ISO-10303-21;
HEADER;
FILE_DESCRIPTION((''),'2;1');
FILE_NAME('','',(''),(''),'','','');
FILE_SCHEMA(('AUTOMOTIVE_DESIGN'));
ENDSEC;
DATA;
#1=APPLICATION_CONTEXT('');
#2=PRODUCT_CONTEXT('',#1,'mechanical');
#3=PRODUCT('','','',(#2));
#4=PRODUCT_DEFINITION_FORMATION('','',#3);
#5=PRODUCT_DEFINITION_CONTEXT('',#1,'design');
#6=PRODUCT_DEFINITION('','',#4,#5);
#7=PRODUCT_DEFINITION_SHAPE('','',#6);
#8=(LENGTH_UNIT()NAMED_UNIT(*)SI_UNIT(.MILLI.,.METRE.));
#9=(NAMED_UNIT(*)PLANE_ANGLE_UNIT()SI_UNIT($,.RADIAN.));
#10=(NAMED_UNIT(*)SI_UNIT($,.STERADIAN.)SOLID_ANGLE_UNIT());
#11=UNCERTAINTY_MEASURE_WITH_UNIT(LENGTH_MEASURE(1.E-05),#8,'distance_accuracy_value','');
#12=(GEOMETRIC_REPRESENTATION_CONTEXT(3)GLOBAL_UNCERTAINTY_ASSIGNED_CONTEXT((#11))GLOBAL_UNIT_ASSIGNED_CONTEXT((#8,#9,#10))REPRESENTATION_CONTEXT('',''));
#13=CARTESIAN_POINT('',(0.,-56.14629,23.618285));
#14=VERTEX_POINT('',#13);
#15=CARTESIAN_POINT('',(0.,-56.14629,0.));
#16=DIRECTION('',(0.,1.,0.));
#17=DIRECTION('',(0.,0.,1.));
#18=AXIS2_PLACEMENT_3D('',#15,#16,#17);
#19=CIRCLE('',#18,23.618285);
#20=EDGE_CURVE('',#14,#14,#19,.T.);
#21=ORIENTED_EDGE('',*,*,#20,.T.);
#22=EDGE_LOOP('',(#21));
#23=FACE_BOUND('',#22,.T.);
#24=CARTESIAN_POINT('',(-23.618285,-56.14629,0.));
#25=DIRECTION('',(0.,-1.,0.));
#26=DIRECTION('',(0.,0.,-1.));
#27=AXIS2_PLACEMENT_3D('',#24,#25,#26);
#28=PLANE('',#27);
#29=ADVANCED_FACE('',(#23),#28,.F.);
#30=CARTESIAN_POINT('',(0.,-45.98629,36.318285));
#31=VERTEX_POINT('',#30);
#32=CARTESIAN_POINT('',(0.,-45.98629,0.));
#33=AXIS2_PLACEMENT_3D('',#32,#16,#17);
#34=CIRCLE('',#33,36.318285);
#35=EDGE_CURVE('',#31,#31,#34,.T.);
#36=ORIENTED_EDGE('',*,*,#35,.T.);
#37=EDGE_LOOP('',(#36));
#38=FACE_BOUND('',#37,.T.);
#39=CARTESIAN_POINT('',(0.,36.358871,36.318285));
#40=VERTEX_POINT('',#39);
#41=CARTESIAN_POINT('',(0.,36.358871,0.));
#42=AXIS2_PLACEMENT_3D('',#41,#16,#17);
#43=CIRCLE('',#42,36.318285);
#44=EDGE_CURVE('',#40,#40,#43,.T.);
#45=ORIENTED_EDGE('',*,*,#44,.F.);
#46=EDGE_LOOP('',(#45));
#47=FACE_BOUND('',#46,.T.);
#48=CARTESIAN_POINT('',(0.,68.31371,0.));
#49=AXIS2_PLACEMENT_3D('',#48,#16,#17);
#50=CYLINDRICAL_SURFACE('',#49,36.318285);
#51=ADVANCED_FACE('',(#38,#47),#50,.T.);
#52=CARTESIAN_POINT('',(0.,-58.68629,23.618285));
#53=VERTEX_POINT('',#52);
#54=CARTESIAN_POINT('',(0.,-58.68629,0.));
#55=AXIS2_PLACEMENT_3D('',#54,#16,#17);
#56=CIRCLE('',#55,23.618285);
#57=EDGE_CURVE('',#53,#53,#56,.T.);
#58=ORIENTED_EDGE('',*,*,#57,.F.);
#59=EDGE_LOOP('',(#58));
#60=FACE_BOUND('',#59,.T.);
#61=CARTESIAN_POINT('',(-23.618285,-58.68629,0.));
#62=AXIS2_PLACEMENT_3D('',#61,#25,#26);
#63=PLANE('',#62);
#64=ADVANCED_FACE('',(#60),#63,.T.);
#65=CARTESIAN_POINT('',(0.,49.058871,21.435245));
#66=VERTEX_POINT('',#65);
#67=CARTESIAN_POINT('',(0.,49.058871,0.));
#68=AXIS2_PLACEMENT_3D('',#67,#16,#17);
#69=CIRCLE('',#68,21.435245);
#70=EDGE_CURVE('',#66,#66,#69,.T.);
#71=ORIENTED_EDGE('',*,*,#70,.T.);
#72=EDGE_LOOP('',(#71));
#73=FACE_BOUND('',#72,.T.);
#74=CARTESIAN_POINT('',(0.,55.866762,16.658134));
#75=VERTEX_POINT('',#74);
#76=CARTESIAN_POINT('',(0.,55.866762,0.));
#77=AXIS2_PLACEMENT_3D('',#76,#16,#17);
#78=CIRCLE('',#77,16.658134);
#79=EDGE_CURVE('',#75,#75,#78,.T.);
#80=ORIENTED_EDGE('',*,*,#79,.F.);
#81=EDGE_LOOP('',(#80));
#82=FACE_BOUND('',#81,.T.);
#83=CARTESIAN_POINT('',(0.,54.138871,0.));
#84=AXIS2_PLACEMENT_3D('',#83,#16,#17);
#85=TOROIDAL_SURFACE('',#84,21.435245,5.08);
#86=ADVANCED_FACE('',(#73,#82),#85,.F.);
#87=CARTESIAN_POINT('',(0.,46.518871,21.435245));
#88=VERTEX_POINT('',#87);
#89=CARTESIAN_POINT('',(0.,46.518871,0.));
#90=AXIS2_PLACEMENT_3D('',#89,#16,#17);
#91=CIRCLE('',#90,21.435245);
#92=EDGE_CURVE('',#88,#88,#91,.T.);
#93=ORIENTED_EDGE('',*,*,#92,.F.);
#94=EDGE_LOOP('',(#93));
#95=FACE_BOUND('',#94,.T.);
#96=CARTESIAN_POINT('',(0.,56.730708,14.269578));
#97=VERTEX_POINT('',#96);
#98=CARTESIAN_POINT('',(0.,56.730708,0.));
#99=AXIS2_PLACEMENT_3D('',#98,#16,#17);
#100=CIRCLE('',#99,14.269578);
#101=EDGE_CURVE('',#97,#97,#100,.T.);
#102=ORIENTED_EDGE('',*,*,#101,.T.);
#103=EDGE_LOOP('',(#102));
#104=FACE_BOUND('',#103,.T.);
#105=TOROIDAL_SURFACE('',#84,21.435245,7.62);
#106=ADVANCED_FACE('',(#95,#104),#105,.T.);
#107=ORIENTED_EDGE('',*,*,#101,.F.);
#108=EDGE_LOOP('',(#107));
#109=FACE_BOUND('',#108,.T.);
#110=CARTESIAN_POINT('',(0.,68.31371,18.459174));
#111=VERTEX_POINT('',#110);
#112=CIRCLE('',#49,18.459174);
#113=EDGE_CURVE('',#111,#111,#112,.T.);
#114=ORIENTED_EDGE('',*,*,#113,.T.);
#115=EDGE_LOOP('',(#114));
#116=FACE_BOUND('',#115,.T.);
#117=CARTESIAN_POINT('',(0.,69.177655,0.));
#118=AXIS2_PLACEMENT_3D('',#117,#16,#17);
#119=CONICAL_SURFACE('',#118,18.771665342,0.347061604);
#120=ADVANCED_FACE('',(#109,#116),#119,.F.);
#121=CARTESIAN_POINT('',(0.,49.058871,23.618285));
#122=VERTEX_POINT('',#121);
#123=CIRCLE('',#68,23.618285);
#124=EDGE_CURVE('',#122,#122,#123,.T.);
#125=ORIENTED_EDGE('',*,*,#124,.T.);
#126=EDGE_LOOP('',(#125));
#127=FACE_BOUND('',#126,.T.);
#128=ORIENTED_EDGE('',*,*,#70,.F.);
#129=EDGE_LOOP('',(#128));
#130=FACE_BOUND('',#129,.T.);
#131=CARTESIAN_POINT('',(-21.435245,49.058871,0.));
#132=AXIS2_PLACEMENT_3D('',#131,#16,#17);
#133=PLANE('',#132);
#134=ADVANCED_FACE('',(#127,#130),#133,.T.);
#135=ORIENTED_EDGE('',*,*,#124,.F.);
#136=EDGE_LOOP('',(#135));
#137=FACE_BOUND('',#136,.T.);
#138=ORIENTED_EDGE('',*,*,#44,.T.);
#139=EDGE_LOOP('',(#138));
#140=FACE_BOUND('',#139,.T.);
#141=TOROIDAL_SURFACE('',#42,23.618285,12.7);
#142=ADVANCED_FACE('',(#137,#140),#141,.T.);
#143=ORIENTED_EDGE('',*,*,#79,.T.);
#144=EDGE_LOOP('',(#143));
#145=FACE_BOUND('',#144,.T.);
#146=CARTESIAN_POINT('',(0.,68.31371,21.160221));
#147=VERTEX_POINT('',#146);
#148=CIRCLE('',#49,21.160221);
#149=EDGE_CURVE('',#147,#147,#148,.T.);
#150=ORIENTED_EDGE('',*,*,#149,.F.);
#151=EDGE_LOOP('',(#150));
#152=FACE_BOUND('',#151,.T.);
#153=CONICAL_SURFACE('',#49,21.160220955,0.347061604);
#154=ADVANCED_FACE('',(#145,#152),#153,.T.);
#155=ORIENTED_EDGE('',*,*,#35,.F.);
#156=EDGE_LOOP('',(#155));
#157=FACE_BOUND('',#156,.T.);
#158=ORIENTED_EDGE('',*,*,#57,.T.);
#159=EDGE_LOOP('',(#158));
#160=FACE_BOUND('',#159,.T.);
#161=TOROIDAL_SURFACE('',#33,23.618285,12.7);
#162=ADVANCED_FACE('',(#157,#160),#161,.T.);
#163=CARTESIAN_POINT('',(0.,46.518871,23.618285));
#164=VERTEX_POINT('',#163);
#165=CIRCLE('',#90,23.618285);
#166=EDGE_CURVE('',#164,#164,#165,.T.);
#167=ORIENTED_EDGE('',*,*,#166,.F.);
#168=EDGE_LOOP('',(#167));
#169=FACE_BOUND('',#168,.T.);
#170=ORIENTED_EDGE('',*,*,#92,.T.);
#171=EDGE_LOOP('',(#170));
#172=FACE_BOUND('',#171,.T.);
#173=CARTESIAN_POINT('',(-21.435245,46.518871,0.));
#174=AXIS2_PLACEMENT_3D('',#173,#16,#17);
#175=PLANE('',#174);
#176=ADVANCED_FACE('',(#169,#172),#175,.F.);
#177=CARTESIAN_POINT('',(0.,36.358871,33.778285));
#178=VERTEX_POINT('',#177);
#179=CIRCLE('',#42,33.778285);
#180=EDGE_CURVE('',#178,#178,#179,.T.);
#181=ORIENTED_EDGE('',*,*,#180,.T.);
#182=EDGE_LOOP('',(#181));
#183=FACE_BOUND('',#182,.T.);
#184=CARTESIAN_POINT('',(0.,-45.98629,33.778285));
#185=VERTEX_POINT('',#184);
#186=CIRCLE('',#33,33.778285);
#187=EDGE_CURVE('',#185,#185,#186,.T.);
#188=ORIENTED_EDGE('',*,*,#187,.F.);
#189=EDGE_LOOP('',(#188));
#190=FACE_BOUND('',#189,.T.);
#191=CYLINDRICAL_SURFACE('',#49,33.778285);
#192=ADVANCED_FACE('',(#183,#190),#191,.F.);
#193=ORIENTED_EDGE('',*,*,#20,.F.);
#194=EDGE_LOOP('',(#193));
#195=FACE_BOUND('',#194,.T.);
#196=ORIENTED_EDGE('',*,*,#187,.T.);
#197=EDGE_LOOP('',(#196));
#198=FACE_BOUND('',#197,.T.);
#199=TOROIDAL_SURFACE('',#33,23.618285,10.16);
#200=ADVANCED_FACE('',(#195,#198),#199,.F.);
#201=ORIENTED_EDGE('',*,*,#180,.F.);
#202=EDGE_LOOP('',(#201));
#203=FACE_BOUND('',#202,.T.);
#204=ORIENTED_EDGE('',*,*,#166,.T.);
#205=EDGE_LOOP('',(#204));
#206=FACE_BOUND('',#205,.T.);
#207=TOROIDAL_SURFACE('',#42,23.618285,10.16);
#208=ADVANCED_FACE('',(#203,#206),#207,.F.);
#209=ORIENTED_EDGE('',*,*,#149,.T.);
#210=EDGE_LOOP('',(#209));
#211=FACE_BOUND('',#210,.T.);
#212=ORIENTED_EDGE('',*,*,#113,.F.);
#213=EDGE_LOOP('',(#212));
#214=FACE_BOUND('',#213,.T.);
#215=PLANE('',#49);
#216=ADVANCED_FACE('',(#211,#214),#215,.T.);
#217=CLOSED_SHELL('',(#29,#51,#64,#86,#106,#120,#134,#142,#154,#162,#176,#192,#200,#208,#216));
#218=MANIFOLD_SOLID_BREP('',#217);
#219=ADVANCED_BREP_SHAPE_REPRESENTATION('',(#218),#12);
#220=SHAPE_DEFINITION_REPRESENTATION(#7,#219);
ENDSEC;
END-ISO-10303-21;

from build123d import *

# Parameters (mm, degrees)
SHELL1_T = -2.54


with BuildPart() as part:
    # Sketch1 → Revolve1 (revolve)
    with BuildSketch(Plane.XY, mode=Mode.PRIVATE) as revolve1_sk:
        with BuildLine():
            Line((0, 68.313709677), (-21.160220955, 68.313709677))
            Line((-21.160220955, 68.313709677), (-16.658133593, 55.866762263))
            ThreePointArc((-16.658133593, 55.866762263), (-17.276874479, 51.220934006), (-21.435244819, 49.058870968))
            Line((-21.435244819, 49.058870968), (-23.618285471, 49.058870968))
            ThreePointArc((-23.618285471, 49.058870968), (-32.598541593, 45.339127089), (-36.318285471, 36.358870968))
            Line((-36.318285471, 36.358870968), (-36.318285471, -45.986290323))
            ThreePointArc((-36.318285471, -45.986290323), (-32.598541593, -54.966546444), (-23.618285471, -58.686290323))
            Line((-23.618285471, -58.686290323), (0, -58.686290323))
            Line((0, -58.686290323), (0, 68.313709677))
        make_face()
    revolve(revolve1_sk.sketch.rotate(Axis((0, 68.313709677, 0), (0, -1, 0)), 270), axis=Axis((0, 68.313709677, 0), (0, -1, 0)))

    # Shell1
    shell1_openings = [part.faces().sort_by_distance(p)[0] for p in [
        (0, 68.313709677, 0),
    ]]
    offset(amount=SHELL1_T, openings=shell1_openings, kind=Kind.INTERSECTION)


solid = part.part
